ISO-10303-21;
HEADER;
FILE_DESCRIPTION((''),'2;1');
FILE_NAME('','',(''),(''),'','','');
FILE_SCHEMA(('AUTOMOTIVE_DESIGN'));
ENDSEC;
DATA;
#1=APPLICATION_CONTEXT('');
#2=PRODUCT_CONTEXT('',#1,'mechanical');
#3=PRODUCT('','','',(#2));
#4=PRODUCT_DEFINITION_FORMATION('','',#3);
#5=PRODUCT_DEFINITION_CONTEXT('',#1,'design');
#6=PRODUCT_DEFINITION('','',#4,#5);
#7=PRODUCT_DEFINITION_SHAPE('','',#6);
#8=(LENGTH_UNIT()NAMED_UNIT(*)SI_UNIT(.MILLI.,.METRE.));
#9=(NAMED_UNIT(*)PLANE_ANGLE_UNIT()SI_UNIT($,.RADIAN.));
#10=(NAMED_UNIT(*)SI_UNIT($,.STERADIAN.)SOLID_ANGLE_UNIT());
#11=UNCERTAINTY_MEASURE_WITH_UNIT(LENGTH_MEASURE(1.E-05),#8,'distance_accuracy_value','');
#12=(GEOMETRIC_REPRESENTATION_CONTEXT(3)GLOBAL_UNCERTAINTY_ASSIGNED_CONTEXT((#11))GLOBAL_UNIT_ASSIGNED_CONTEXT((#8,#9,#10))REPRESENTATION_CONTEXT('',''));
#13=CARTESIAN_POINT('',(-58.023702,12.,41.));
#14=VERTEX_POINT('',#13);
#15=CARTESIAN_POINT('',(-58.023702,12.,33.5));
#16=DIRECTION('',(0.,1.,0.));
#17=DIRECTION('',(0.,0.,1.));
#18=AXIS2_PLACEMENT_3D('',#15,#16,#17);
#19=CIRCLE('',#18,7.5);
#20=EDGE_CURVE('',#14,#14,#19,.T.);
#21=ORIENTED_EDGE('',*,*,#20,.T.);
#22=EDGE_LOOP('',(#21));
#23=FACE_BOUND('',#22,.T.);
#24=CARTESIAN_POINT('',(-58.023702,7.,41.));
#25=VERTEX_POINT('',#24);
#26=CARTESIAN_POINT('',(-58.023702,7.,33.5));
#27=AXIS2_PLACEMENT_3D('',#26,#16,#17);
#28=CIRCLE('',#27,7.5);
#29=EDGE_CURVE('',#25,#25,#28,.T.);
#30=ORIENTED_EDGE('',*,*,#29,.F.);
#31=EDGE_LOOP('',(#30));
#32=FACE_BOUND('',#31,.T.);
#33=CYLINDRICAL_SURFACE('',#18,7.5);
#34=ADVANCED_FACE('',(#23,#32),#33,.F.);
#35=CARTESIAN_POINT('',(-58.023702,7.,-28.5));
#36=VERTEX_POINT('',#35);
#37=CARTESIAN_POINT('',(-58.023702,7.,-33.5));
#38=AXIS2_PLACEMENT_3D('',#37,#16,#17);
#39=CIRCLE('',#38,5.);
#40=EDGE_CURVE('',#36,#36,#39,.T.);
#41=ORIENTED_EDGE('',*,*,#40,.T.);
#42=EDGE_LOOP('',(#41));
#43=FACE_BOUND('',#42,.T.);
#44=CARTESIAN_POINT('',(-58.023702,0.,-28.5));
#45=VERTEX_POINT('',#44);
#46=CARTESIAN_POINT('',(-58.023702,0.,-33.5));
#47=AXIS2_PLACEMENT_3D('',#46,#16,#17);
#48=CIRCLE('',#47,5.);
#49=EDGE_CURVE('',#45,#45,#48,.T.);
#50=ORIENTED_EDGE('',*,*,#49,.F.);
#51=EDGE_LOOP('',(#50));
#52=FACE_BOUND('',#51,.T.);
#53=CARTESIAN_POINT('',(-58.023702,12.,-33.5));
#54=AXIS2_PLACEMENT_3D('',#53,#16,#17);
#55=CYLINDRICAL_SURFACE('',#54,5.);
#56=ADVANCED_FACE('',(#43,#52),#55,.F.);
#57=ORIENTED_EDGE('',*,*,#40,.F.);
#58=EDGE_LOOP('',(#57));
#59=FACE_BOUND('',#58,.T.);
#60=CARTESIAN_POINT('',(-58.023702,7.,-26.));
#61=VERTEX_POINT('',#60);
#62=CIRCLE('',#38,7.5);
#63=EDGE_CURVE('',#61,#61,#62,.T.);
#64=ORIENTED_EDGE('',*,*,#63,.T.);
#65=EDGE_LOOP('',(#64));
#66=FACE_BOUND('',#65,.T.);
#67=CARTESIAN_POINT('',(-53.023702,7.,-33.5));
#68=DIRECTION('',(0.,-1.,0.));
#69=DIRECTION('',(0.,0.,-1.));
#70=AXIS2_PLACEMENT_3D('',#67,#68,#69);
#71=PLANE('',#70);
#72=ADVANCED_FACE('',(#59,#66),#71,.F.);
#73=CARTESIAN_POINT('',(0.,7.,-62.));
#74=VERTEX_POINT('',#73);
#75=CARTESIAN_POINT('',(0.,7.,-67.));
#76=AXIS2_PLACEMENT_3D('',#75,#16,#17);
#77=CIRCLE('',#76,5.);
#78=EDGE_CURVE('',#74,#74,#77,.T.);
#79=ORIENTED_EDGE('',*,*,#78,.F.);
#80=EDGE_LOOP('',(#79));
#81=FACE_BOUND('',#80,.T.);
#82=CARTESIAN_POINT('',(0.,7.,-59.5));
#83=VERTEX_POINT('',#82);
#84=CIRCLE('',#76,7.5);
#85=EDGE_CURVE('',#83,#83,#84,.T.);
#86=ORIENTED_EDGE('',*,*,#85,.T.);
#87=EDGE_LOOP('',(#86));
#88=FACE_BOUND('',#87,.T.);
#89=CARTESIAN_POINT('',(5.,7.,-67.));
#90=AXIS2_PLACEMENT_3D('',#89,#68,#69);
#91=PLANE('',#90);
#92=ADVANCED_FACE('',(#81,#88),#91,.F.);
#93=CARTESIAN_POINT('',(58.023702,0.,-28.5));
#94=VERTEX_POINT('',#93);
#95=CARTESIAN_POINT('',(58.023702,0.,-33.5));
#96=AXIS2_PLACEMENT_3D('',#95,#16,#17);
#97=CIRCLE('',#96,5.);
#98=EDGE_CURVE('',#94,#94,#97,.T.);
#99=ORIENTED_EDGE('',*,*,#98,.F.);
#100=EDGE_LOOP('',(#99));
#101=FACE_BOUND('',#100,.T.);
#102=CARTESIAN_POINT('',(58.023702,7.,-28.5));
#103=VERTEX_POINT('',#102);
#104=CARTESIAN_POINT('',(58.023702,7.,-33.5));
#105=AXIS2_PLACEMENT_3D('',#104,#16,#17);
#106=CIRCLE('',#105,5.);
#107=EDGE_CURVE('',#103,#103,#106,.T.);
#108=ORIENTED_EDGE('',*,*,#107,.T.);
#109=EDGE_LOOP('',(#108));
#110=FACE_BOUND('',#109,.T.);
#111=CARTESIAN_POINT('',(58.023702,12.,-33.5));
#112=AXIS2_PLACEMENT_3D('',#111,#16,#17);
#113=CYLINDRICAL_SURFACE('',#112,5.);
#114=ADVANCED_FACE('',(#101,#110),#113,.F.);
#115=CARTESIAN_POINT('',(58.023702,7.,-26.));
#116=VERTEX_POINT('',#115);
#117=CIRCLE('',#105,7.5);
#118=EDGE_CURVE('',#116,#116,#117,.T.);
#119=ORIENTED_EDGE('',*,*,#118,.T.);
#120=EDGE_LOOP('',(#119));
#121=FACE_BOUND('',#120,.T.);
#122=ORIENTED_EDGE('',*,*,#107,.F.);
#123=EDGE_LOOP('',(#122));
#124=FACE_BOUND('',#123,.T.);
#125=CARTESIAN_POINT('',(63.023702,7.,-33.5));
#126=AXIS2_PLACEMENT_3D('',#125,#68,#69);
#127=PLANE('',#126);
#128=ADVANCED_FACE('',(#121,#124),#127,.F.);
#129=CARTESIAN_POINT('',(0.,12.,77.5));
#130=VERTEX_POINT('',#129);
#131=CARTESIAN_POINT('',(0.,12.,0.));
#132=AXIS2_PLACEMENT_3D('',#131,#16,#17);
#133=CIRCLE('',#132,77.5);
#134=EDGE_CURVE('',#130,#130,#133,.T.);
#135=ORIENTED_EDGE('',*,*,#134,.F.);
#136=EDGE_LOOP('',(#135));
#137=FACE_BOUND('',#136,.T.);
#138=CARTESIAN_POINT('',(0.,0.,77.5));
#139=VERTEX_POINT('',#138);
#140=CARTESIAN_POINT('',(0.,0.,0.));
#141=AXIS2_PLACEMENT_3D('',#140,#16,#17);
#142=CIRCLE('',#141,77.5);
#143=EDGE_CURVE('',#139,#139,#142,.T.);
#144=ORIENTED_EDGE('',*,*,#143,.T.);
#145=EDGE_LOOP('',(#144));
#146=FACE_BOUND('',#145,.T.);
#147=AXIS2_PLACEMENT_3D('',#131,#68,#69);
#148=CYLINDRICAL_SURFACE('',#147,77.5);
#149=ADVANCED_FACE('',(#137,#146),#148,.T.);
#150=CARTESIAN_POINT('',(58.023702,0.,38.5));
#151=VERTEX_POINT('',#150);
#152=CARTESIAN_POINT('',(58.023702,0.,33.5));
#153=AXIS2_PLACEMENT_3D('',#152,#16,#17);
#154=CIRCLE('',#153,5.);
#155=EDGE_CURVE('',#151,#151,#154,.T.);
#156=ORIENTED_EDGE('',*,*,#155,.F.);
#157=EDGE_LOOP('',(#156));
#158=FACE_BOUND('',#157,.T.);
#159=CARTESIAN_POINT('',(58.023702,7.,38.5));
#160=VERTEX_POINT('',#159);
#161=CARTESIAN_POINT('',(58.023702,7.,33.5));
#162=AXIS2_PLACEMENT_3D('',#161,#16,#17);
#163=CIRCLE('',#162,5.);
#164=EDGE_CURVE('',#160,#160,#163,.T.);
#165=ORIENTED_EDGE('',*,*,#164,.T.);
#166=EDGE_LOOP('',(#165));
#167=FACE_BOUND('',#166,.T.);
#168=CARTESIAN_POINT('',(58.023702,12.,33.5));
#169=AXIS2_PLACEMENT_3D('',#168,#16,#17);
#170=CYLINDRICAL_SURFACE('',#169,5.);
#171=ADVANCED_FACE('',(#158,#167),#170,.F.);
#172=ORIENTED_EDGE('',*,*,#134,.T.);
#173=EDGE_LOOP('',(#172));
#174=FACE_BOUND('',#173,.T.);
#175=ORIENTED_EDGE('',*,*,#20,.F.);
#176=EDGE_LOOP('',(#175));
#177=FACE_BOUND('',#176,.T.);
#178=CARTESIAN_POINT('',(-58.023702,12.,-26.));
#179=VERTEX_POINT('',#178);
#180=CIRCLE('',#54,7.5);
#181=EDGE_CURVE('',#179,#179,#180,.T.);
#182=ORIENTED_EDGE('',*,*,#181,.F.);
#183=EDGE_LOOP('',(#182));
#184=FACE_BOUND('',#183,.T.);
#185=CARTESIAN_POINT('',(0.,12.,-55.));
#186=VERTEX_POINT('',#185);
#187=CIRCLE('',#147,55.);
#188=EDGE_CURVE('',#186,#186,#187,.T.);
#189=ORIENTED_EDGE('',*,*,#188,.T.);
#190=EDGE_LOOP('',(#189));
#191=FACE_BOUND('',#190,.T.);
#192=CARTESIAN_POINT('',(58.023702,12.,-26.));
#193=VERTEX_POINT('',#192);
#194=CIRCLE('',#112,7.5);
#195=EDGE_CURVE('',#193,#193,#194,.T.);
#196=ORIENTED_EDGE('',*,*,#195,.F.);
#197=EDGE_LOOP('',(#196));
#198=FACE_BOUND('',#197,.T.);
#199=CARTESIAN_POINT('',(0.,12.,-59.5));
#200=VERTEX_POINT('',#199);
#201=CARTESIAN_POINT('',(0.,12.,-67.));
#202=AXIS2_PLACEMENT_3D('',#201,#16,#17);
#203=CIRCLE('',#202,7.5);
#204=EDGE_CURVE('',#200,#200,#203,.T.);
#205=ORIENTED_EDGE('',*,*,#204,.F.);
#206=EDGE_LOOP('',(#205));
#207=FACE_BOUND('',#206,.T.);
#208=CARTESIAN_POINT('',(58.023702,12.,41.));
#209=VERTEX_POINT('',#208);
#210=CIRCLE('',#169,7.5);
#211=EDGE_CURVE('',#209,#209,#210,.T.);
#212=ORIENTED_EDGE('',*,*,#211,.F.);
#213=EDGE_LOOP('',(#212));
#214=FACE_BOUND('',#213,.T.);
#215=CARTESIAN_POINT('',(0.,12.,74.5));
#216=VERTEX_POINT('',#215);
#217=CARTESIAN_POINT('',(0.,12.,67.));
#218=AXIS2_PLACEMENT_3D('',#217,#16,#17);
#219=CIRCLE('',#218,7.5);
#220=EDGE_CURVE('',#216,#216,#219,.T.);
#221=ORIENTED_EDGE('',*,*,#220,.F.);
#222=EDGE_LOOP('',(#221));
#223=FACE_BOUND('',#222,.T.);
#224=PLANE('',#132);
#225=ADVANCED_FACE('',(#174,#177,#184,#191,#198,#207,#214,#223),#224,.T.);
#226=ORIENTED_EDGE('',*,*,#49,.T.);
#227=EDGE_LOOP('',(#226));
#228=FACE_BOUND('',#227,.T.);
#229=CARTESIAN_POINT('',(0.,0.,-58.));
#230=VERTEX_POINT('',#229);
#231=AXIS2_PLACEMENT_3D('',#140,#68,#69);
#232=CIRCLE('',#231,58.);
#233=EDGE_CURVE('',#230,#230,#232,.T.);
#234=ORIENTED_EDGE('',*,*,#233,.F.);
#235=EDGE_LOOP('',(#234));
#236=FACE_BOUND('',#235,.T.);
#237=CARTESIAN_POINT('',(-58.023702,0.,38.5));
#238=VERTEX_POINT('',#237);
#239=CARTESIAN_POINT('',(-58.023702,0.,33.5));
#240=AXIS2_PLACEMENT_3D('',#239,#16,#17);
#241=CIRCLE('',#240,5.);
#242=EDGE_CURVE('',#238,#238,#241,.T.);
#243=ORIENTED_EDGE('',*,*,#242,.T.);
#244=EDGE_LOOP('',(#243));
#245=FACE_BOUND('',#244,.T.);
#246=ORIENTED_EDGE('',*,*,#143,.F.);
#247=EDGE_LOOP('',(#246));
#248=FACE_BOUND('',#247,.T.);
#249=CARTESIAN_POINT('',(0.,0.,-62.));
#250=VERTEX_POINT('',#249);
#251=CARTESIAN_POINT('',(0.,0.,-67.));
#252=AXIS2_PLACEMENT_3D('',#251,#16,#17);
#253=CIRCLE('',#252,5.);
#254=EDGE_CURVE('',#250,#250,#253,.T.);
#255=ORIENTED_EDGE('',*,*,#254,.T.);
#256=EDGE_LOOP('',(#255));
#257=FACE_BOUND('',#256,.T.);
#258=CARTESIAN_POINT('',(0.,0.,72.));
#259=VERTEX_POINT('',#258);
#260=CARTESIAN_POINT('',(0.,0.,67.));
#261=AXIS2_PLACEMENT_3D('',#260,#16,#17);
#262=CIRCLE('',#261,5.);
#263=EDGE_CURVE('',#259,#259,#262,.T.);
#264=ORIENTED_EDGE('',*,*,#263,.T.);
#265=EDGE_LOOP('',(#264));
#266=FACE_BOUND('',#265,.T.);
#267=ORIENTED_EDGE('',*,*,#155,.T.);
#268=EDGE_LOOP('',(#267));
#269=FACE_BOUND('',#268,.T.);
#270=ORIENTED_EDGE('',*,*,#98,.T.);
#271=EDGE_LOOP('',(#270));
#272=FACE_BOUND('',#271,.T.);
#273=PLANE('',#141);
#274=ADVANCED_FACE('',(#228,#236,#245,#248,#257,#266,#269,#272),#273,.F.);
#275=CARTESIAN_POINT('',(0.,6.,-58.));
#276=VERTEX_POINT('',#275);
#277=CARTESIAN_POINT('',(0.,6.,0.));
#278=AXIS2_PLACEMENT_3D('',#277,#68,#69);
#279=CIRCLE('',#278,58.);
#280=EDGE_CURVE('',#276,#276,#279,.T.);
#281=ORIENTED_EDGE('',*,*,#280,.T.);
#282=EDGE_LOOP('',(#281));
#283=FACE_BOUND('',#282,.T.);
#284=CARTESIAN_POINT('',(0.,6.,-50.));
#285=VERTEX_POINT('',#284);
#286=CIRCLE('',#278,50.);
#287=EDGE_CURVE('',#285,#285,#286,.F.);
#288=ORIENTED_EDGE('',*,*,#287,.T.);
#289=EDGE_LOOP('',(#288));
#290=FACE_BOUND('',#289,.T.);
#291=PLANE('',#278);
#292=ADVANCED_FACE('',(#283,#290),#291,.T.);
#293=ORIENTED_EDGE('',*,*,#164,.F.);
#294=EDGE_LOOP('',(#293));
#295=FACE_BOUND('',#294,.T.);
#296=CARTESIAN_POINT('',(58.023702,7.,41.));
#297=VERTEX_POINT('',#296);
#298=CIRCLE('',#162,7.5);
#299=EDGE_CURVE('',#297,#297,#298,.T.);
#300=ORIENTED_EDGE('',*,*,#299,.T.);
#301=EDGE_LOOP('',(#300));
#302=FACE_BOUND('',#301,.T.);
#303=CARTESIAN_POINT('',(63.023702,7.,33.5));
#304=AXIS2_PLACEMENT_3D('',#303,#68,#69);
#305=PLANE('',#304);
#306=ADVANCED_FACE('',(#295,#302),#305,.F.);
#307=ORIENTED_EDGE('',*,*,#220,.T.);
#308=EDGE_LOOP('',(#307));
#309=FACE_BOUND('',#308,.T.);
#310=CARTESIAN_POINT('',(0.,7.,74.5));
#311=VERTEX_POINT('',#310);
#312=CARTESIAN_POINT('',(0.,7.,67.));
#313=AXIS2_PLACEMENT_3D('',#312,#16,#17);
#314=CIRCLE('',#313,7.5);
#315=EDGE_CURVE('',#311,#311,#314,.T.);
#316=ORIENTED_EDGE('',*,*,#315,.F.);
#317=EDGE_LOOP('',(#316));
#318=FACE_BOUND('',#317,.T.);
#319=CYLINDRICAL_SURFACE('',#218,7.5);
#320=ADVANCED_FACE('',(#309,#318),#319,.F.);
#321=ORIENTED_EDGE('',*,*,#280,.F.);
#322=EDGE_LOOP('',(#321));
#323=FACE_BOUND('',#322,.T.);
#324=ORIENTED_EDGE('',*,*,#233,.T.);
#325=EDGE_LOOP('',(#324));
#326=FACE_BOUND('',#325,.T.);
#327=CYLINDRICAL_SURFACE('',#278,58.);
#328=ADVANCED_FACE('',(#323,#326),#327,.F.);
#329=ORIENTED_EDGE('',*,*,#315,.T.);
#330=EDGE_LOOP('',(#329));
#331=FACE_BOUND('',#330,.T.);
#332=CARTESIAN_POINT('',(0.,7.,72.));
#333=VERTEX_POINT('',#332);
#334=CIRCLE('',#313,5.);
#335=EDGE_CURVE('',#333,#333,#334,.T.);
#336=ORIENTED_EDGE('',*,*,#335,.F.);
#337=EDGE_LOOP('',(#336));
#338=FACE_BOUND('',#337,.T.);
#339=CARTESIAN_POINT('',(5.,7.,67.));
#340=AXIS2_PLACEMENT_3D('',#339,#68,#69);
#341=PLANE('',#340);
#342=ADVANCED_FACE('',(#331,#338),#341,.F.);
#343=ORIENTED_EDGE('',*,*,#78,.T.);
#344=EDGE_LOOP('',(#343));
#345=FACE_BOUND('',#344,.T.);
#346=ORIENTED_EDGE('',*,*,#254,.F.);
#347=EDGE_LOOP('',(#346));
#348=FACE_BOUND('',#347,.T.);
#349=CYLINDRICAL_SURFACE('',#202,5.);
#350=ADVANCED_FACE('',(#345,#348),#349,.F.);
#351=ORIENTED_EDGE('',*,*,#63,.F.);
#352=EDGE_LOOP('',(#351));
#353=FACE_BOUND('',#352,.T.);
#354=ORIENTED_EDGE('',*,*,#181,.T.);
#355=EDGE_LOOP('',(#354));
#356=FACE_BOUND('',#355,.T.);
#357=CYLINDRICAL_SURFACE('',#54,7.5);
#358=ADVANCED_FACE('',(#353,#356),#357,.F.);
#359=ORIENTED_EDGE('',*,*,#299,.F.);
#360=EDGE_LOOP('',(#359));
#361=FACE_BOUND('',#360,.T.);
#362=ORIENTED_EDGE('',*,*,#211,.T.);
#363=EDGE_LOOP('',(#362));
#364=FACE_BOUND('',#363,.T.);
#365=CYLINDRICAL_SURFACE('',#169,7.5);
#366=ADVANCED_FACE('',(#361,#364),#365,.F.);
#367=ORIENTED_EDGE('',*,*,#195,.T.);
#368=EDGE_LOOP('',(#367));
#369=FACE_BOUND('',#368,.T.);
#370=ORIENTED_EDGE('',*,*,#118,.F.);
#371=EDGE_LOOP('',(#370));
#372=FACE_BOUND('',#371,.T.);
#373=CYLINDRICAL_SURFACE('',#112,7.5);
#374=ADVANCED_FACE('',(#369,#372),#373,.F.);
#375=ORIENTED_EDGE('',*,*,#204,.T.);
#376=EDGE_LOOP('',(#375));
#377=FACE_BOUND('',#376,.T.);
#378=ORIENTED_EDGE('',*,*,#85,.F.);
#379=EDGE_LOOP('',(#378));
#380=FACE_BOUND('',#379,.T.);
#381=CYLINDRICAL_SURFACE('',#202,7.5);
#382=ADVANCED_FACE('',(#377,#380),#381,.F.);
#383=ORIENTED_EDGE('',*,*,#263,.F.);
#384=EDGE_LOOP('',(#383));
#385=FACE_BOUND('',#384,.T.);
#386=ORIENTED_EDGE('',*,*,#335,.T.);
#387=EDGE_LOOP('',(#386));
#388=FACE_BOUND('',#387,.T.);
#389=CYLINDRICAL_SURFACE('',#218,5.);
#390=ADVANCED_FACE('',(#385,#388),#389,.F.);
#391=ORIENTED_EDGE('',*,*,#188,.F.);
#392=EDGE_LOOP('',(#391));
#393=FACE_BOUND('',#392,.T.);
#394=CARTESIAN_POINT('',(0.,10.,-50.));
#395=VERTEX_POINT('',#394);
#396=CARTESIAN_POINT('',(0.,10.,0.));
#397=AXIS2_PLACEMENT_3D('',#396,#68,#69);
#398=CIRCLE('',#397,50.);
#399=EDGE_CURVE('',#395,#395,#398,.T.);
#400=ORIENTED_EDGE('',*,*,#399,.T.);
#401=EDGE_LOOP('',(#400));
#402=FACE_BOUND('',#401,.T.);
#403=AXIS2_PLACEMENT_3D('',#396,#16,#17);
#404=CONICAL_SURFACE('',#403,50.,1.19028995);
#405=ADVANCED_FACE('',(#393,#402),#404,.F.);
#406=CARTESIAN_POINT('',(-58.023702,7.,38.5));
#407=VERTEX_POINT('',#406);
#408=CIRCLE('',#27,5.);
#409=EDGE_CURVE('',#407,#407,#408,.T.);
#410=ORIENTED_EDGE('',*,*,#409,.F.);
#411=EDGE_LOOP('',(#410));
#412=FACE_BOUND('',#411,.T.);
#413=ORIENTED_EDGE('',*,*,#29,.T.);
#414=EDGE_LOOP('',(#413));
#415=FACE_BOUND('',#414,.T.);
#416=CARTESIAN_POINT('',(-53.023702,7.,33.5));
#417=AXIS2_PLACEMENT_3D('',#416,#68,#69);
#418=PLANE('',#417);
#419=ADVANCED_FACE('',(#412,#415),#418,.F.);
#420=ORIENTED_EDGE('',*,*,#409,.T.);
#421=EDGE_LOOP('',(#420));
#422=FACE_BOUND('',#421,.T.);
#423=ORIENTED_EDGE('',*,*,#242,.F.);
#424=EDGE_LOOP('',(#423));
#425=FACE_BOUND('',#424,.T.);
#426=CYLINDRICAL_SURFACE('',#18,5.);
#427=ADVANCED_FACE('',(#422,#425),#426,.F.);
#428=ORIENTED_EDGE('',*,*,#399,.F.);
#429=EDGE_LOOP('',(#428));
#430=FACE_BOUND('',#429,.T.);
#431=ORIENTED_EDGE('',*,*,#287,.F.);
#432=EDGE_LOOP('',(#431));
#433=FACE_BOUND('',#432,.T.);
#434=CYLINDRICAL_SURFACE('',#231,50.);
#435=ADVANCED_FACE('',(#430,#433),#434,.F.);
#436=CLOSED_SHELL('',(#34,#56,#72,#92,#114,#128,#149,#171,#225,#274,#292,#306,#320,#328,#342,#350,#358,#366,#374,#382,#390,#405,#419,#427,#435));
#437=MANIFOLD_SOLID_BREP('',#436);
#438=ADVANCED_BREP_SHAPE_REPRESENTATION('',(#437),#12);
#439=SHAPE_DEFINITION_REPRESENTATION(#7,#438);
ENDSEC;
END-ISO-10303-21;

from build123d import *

# Parameters (mm, degrees)
SKETCH_1_R                    = 77.5
EXTRUDE_D155_DEPTH            = 12
SKETCH_3_R                    = 58
CUT_EXTRUDE_D116_2_DEPTH      = 6
HOLE_WIZARD_M10_6_D           = 10
HOLE_WIZARD_M10_6_CBORE_D     = 15
HOLE_WIZARD_M10_6_CBORE_DEPTH = 5
PATTERN_CIRCULAR_M10_6_COUNT  = 6


with BuildPart() as part:
    # 草图1 → D155 观察窗外盖 (new body)
    with BuildSketch(Plane(origin=(0, 0, 0), x_dir=(1, 0, 0), z_dir=(0, 1, 0))):
        with Locations(Location((0, 0, 0), (0, 0, 270))):
            Circle(SKETCH_1_R)
    extrude(amount=EXTRUDE_D155_DEPTH)

    # 草图2 → D100 内径切除 (revolve, cut)
    with BuildSketch(Plane.XY, mode=Mode.PRIVATE) as cut_revolve_d100_sk:
        Polygon((50, 10), (55, 12), (50, 12), (0, 12), (0, 0), (50, 0), align=None)
    revolve(cut_revolve_d100_sk.sketch.rotate(Axis((0, 0, 0), (0, 1, 0)), 90), axis=Axis((0, 0, 0), (0, 1, 0)), mode=Mode.SUBTRACT)

    # 草图3 → D116*2 橡胶垫(外径) (cut)
    with BuildSketch(Plane.XZ):
        with Locations(Location((0, 0, 0), (0, 0, 270))):
            Circle(SKETCH_3_R)
    extrude(amount=-CUT_EXTRUDE_D116_2_DEPTH, mode=Mode.SUBTRACT)

    # M10*6 柱形沉头孔 (through all)
    with Locations(Plane(origin=(0, 12, 0), x_dir=(1, 0, 0), z_dir=(0, 1, 0))):
        with Locations((0, 67)):
            hole_wizard_m10_6 = CounterBoreHole(HOLE_WIZARD_M10_6_D / 2, HOLE_WIZARD_M10_6_CBORE_D / 2, HOLE_WIZARD_M10_6_CBORE_DEPTH)

    # M10*6 圆周阵列: M10*6 柱形沉头孔 ×6 about axis
    pattern_circular_m10_6_axis = Axis((0, 0, 0), (0, 1, 0))
    for i in range(1, PATTERN_CIRCULAR_M10_6_COUNT):
        add(hole_wizard_m10_6.rotate(pattern_circular_m10_6_axis, i * 360 / PATTERN_CIRCULAR_M10_6_COUNT), mode=Mode.SUBTRACT)


solid = part.part
